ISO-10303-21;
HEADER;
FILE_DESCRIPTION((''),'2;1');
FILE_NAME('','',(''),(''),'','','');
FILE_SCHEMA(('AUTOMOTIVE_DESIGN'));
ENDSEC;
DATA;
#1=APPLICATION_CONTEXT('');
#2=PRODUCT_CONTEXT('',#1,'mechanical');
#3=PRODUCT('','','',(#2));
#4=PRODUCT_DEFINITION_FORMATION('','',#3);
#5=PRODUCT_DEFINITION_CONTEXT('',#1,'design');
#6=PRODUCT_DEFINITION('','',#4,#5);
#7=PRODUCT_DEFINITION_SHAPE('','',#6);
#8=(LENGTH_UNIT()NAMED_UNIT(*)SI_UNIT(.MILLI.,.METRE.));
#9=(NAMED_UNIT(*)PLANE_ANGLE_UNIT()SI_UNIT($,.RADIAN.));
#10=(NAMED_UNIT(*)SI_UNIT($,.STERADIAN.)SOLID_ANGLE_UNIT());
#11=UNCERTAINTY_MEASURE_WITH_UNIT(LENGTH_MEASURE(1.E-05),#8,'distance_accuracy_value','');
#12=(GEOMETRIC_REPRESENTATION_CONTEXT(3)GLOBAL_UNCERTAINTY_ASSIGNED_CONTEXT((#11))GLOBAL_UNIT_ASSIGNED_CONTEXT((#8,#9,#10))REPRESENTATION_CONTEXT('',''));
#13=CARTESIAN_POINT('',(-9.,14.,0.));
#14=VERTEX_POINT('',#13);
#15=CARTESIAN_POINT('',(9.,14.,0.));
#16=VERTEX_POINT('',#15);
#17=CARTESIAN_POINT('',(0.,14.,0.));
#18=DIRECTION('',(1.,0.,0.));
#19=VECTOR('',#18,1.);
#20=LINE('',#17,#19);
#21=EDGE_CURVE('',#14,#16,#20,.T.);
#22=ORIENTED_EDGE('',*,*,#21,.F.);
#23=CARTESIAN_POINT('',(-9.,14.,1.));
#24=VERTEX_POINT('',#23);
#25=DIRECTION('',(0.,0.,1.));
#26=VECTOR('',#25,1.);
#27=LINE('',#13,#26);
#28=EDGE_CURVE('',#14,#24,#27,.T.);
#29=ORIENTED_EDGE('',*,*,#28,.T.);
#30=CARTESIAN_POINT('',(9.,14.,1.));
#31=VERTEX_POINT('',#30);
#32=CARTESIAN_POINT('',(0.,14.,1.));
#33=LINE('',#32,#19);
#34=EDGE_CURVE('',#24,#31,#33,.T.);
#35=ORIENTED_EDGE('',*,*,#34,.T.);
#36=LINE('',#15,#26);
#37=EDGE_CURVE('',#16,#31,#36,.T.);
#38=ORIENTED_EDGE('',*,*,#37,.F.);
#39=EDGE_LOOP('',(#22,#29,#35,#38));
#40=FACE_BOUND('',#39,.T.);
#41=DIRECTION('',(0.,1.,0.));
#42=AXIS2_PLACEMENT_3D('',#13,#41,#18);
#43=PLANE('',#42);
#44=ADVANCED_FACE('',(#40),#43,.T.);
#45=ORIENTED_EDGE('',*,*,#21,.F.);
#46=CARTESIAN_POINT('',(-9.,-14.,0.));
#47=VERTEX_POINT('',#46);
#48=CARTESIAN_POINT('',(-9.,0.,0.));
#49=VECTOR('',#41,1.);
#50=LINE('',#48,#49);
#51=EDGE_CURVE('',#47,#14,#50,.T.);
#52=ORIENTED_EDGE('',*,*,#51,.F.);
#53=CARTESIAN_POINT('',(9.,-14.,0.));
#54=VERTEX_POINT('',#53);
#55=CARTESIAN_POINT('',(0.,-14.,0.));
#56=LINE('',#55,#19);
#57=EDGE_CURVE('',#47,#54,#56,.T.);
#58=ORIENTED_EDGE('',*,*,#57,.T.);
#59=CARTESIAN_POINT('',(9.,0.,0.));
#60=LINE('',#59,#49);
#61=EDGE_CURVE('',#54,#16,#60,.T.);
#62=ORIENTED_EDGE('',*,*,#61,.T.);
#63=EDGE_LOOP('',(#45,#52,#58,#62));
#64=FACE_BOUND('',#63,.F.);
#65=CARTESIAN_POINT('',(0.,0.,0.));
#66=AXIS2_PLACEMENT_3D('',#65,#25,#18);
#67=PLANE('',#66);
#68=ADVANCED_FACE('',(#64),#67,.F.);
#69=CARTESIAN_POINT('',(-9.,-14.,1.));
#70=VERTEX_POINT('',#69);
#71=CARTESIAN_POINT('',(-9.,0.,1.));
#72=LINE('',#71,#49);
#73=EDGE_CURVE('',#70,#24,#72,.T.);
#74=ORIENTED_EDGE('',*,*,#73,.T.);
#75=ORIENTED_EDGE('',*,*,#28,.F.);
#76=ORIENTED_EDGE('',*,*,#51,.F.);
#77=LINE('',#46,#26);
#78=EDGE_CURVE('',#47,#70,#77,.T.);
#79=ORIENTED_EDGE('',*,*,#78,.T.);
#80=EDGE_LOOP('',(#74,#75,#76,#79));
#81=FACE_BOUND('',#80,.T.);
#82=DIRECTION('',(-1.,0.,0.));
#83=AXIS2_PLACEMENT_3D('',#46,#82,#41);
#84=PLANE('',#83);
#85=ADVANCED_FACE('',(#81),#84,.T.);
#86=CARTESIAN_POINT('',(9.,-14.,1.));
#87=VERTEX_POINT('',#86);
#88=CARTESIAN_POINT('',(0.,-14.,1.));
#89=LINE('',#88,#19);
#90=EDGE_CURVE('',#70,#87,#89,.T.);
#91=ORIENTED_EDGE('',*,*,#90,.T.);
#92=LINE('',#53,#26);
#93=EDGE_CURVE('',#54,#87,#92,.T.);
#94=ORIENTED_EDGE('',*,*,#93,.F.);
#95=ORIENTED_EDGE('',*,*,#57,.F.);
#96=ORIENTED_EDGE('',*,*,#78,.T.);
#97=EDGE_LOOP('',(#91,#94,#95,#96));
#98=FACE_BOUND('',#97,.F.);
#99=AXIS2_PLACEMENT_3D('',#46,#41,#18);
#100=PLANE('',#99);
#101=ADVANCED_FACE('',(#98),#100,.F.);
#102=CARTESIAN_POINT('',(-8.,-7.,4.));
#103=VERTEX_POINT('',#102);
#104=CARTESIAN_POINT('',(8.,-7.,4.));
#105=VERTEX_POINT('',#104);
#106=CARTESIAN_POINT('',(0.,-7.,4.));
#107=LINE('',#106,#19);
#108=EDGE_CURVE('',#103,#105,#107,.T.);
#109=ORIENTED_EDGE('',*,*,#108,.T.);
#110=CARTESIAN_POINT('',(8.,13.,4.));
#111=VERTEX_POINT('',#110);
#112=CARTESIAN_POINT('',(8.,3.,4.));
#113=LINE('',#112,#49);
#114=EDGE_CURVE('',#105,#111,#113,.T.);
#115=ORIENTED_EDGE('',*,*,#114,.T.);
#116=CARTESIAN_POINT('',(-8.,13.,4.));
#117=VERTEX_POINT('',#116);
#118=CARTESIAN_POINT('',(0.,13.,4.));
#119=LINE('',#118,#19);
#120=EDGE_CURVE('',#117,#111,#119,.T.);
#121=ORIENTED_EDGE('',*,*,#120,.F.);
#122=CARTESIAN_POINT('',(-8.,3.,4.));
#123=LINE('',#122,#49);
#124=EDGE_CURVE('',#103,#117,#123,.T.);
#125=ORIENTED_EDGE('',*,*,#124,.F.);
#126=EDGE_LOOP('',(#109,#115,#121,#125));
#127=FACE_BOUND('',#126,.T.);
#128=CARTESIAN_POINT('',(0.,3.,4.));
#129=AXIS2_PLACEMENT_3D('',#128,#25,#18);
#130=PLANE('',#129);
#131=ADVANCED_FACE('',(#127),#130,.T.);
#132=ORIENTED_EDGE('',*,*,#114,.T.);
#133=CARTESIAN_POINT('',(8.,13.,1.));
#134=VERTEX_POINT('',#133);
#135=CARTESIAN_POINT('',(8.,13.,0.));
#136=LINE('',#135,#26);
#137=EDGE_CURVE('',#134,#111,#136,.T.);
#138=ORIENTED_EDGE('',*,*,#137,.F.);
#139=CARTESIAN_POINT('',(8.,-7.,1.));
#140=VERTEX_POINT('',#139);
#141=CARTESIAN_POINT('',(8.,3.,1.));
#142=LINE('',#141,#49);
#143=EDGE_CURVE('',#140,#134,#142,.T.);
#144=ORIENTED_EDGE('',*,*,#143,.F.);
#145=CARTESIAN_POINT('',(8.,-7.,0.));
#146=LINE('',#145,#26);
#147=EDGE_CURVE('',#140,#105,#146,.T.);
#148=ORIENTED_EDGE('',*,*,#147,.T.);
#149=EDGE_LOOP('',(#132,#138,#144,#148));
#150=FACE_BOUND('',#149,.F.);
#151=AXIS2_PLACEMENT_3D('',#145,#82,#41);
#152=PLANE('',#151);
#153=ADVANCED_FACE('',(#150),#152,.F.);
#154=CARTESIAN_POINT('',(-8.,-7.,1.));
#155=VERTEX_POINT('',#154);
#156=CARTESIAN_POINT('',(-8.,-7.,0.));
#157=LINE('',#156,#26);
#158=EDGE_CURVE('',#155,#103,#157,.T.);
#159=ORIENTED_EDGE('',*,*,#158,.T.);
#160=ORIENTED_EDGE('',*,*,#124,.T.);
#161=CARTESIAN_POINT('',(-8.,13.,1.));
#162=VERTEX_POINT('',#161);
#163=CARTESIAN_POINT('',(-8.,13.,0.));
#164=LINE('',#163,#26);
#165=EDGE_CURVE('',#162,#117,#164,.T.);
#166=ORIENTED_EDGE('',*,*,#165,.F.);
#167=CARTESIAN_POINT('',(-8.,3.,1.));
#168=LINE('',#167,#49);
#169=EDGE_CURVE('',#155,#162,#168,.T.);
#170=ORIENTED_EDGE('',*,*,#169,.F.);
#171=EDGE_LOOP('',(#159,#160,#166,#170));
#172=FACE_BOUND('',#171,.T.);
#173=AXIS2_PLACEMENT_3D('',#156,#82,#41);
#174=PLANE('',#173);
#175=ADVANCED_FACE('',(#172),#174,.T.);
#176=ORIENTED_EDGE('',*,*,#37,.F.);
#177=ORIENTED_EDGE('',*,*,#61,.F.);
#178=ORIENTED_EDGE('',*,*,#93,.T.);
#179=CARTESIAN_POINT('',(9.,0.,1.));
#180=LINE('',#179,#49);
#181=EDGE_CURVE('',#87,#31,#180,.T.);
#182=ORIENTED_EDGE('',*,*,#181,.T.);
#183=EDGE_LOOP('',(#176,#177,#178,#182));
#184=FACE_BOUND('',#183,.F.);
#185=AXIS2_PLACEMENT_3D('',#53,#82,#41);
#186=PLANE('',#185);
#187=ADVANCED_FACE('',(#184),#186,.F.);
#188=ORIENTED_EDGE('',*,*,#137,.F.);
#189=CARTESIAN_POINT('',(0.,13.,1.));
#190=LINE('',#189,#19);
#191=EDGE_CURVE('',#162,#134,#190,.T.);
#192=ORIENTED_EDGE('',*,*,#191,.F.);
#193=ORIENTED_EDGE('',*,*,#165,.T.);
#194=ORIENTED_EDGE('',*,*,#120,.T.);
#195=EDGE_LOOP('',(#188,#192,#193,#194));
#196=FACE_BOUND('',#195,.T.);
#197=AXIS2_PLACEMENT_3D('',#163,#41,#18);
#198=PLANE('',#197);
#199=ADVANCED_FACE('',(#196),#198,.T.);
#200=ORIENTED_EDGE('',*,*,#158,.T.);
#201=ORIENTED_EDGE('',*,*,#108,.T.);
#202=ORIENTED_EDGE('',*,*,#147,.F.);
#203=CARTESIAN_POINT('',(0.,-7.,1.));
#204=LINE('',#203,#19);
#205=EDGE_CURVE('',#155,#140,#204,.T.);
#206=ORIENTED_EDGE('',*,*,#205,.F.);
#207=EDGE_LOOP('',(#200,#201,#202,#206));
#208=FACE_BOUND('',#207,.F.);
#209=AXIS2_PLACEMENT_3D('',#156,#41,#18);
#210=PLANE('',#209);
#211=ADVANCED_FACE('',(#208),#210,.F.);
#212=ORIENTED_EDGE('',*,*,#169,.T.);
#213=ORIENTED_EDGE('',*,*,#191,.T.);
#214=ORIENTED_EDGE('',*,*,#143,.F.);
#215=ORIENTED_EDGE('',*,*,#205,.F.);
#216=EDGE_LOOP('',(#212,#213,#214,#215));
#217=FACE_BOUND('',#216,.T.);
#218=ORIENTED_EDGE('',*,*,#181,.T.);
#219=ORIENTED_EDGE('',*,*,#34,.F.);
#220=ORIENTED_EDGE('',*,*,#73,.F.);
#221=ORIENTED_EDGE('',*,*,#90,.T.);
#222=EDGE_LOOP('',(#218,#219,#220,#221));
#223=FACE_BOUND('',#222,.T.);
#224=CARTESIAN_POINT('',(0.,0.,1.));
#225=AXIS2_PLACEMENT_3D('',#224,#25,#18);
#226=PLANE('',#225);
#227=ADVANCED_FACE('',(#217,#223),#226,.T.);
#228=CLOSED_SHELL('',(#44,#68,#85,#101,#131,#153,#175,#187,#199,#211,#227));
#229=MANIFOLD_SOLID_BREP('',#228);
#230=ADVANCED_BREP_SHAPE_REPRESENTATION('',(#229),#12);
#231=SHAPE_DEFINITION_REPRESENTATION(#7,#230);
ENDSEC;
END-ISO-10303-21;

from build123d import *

# Parameters (mm, degrees)
F0_W     = 16
F0_H     = 20
F1_DEPTH = 4
F0_W_2   = 18
F0_H_2   = 28
F2_DEPTH = 1


with BuildPart() as f1:
    # F0 (on Top) → F1 (new body)
    with BuildSketch(Plane.XY):
        with Locations((0, 3)):
            Rectangle(F0_W, F0_H)
    extrude(amount=F1_DEPTH)

    # F0 (on Top) → F2 (join)
    with BuildSketch(Plane.XY):
        Rectangle(F0_W_2, F0_H_2)
        with Locations((0, 3)):
            Rectangle(F0_W, F0_H, mode=Mode.SUBTRACT)
    extrude(amount=F2_DEPTH)


solid = f1.part
